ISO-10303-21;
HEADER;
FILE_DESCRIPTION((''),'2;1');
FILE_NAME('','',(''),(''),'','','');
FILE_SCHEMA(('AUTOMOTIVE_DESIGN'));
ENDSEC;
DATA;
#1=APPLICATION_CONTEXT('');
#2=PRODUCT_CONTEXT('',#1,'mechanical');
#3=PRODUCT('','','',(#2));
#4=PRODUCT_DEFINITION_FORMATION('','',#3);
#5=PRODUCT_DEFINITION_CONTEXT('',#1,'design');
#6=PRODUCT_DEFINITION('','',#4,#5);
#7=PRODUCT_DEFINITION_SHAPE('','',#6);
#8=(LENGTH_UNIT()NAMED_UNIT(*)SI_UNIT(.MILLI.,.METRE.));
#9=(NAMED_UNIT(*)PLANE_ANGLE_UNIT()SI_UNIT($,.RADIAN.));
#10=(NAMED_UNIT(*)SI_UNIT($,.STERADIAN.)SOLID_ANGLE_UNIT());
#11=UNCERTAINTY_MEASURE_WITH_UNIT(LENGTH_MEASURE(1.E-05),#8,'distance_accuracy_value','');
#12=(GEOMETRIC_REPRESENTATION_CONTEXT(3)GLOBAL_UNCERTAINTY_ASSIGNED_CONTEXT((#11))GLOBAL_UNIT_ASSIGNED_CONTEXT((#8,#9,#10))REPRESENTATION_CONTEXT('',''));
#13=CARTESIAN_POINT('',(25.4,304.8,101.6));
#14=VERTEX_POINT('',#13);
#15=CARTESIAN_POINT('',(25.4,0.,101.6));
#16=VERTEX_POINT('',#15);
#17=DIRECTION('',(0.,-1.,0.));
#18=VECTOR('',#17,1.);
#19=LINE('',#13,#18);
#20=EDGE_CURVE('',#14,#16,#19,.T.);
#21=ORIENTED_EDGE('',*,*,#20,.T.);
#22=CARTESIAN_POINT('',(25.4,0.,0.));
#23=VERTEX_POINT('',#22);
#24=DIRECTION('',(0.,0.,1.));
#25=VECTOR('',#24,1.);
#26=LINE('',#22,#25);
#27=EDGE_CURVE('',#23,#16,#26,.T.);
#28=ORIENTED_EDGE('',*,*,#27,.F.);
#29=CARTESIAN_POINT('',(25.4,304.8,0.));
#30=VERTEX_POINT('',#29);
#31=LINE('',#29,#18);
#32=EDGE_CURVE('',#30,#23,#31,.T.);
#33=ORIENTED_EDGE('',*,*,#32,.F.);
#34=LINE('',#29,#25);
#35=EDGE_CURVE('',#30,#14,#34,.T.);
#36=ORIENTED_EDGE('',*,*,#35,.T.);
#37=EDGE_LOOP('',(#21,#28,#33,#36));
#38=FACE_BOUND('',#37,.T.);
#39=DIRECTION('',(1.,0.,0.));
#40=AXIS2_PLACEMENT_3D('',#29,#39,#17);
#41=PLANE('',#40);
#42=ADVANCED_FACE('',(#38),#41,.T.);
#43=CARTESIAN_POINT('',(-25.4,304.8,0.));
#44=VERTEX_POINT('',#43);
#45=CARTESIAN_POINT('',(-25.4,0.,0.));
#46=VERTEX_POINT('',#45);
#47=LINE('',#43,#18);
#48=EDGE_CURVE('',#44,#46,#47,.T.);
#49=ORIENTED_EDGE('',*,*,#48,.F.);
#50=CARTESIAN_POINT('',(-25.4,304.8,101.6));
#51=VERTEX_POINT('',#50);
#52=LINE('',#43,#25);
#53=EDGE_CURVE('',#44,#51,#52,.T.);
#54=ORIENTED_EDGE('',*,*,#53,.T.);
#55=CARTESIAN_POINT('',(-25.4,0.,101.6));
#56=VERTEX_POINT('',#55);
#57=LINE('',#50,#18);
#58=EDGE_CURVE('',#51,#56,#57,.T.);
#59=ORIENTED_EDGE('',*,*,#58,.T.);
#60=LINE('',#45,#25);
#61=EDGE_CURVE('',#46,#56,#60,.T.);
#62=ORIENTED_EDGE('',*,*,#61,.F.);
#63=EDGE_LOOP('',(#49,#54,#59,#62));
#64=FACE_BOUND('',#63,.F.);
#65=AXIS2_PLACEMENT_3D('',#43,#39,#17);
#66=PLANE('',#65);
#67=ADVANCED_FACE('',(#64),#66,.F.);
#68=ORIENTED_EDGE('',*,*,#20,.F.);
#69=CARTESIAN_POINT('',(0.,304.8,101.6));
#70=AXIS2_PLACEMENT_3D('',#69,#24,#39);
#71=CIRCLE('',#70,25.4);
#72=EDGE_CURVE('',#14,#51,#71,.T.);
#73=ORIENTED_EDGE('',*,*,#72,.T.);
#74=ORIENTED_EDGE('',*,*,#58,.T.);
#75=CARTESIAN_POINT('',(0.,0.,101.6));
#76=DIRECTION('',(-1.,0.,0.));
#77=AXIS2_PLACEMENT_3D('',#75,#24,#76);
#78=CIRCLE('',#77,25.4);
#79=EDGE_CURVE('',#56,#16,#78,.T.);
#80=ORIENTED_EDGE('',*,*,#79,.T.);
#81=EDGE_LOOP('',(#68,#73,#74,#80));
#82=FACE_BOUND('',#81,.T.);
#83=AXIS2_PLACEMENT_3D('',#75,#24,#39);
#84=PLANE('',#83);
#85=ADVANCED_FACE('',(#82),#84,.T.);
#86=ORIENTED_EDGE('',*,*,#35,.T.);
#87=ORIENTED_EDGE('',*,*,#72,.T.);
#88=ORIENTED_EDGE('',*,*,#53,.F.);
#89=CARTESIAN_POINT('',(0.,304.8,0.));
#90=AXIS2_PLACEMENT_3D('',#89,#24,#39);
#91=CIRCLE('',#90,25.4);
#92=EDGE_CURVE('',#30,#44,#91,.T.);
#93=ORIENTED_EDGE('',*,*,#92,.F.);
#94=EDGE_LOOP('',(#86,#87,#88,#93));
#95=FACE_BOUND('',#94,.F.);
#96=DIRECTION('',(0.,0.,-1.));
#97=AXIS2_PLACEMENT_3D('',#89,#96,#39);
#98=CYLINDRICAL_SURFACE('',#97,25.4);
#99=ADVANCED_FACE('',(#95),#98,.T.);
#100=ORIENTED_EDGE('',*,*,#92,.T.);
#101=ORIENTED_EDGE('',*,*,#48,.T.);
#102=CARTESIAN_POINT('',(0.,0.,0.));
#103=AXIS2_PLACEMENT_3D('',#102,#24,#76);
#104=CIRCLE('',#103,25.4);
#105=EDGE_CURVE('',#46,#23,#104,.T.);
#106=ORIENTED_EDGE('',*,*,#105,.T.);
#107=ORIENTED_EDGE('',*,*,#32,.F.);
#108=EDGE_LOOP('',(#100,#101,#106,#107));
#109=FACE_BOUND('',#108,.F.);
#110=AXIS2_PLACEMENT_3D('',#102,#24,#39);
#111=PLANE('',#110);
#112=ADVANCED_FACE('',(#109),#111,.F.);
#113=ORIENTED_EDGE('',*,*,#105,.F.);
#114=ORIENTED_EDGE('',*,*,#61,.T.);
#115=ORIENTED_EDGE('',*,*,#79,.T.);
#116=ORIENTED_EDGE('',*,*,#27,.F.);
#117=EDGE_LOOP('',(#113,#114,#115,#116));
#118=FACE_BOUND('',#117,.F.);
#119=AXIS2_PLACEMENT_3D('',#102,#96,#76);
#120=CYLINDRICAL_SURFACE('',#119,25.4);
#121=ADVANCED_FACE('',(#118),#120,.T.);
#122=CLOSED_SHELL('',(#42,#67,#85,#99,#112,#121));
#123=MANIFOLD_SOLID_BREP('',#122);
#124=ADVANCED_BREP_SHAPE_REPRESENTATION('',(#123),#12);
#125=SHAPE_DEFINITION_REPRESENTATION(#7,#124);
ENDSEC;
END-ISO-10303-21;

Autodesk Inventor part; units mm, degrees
ref_plane "YZ Plane" through (0, 0, 0) normal (1, 0, 0) x (0, 1, 0)
ref_plane "XZ Plane" through (0, 0, 0) normal (0, 1, 0) x (-1, 0, 0)
ref_plane "XY Plane" through (0, 0, 0) normal (0, 0, 1) x (1, 0, 0)
sketch "Sketch1" plane through (0, 0, 0) normal (0, 0, 1) x (1, 0, 0)
  arc A0 (-25.4, 0) -> (25.4, 0) centre (0, 0) ccw
  arc A1 (25.4, 304.8) -> (-25.4, 304.8) centre (0, 304.8) ccw
  line L0 (25.4, 304.8) -> (25.4, 0)
  line L1 (-25.4, 304.8) -> (-25.4, 0)
  dimension "d0" = 25.4
  dimension "d1" = 304.8
extrude "Extrusion1" add sketch "Sketch1" along normal blind 101.6
properties part number "ShooterAcceleratorConcept"
